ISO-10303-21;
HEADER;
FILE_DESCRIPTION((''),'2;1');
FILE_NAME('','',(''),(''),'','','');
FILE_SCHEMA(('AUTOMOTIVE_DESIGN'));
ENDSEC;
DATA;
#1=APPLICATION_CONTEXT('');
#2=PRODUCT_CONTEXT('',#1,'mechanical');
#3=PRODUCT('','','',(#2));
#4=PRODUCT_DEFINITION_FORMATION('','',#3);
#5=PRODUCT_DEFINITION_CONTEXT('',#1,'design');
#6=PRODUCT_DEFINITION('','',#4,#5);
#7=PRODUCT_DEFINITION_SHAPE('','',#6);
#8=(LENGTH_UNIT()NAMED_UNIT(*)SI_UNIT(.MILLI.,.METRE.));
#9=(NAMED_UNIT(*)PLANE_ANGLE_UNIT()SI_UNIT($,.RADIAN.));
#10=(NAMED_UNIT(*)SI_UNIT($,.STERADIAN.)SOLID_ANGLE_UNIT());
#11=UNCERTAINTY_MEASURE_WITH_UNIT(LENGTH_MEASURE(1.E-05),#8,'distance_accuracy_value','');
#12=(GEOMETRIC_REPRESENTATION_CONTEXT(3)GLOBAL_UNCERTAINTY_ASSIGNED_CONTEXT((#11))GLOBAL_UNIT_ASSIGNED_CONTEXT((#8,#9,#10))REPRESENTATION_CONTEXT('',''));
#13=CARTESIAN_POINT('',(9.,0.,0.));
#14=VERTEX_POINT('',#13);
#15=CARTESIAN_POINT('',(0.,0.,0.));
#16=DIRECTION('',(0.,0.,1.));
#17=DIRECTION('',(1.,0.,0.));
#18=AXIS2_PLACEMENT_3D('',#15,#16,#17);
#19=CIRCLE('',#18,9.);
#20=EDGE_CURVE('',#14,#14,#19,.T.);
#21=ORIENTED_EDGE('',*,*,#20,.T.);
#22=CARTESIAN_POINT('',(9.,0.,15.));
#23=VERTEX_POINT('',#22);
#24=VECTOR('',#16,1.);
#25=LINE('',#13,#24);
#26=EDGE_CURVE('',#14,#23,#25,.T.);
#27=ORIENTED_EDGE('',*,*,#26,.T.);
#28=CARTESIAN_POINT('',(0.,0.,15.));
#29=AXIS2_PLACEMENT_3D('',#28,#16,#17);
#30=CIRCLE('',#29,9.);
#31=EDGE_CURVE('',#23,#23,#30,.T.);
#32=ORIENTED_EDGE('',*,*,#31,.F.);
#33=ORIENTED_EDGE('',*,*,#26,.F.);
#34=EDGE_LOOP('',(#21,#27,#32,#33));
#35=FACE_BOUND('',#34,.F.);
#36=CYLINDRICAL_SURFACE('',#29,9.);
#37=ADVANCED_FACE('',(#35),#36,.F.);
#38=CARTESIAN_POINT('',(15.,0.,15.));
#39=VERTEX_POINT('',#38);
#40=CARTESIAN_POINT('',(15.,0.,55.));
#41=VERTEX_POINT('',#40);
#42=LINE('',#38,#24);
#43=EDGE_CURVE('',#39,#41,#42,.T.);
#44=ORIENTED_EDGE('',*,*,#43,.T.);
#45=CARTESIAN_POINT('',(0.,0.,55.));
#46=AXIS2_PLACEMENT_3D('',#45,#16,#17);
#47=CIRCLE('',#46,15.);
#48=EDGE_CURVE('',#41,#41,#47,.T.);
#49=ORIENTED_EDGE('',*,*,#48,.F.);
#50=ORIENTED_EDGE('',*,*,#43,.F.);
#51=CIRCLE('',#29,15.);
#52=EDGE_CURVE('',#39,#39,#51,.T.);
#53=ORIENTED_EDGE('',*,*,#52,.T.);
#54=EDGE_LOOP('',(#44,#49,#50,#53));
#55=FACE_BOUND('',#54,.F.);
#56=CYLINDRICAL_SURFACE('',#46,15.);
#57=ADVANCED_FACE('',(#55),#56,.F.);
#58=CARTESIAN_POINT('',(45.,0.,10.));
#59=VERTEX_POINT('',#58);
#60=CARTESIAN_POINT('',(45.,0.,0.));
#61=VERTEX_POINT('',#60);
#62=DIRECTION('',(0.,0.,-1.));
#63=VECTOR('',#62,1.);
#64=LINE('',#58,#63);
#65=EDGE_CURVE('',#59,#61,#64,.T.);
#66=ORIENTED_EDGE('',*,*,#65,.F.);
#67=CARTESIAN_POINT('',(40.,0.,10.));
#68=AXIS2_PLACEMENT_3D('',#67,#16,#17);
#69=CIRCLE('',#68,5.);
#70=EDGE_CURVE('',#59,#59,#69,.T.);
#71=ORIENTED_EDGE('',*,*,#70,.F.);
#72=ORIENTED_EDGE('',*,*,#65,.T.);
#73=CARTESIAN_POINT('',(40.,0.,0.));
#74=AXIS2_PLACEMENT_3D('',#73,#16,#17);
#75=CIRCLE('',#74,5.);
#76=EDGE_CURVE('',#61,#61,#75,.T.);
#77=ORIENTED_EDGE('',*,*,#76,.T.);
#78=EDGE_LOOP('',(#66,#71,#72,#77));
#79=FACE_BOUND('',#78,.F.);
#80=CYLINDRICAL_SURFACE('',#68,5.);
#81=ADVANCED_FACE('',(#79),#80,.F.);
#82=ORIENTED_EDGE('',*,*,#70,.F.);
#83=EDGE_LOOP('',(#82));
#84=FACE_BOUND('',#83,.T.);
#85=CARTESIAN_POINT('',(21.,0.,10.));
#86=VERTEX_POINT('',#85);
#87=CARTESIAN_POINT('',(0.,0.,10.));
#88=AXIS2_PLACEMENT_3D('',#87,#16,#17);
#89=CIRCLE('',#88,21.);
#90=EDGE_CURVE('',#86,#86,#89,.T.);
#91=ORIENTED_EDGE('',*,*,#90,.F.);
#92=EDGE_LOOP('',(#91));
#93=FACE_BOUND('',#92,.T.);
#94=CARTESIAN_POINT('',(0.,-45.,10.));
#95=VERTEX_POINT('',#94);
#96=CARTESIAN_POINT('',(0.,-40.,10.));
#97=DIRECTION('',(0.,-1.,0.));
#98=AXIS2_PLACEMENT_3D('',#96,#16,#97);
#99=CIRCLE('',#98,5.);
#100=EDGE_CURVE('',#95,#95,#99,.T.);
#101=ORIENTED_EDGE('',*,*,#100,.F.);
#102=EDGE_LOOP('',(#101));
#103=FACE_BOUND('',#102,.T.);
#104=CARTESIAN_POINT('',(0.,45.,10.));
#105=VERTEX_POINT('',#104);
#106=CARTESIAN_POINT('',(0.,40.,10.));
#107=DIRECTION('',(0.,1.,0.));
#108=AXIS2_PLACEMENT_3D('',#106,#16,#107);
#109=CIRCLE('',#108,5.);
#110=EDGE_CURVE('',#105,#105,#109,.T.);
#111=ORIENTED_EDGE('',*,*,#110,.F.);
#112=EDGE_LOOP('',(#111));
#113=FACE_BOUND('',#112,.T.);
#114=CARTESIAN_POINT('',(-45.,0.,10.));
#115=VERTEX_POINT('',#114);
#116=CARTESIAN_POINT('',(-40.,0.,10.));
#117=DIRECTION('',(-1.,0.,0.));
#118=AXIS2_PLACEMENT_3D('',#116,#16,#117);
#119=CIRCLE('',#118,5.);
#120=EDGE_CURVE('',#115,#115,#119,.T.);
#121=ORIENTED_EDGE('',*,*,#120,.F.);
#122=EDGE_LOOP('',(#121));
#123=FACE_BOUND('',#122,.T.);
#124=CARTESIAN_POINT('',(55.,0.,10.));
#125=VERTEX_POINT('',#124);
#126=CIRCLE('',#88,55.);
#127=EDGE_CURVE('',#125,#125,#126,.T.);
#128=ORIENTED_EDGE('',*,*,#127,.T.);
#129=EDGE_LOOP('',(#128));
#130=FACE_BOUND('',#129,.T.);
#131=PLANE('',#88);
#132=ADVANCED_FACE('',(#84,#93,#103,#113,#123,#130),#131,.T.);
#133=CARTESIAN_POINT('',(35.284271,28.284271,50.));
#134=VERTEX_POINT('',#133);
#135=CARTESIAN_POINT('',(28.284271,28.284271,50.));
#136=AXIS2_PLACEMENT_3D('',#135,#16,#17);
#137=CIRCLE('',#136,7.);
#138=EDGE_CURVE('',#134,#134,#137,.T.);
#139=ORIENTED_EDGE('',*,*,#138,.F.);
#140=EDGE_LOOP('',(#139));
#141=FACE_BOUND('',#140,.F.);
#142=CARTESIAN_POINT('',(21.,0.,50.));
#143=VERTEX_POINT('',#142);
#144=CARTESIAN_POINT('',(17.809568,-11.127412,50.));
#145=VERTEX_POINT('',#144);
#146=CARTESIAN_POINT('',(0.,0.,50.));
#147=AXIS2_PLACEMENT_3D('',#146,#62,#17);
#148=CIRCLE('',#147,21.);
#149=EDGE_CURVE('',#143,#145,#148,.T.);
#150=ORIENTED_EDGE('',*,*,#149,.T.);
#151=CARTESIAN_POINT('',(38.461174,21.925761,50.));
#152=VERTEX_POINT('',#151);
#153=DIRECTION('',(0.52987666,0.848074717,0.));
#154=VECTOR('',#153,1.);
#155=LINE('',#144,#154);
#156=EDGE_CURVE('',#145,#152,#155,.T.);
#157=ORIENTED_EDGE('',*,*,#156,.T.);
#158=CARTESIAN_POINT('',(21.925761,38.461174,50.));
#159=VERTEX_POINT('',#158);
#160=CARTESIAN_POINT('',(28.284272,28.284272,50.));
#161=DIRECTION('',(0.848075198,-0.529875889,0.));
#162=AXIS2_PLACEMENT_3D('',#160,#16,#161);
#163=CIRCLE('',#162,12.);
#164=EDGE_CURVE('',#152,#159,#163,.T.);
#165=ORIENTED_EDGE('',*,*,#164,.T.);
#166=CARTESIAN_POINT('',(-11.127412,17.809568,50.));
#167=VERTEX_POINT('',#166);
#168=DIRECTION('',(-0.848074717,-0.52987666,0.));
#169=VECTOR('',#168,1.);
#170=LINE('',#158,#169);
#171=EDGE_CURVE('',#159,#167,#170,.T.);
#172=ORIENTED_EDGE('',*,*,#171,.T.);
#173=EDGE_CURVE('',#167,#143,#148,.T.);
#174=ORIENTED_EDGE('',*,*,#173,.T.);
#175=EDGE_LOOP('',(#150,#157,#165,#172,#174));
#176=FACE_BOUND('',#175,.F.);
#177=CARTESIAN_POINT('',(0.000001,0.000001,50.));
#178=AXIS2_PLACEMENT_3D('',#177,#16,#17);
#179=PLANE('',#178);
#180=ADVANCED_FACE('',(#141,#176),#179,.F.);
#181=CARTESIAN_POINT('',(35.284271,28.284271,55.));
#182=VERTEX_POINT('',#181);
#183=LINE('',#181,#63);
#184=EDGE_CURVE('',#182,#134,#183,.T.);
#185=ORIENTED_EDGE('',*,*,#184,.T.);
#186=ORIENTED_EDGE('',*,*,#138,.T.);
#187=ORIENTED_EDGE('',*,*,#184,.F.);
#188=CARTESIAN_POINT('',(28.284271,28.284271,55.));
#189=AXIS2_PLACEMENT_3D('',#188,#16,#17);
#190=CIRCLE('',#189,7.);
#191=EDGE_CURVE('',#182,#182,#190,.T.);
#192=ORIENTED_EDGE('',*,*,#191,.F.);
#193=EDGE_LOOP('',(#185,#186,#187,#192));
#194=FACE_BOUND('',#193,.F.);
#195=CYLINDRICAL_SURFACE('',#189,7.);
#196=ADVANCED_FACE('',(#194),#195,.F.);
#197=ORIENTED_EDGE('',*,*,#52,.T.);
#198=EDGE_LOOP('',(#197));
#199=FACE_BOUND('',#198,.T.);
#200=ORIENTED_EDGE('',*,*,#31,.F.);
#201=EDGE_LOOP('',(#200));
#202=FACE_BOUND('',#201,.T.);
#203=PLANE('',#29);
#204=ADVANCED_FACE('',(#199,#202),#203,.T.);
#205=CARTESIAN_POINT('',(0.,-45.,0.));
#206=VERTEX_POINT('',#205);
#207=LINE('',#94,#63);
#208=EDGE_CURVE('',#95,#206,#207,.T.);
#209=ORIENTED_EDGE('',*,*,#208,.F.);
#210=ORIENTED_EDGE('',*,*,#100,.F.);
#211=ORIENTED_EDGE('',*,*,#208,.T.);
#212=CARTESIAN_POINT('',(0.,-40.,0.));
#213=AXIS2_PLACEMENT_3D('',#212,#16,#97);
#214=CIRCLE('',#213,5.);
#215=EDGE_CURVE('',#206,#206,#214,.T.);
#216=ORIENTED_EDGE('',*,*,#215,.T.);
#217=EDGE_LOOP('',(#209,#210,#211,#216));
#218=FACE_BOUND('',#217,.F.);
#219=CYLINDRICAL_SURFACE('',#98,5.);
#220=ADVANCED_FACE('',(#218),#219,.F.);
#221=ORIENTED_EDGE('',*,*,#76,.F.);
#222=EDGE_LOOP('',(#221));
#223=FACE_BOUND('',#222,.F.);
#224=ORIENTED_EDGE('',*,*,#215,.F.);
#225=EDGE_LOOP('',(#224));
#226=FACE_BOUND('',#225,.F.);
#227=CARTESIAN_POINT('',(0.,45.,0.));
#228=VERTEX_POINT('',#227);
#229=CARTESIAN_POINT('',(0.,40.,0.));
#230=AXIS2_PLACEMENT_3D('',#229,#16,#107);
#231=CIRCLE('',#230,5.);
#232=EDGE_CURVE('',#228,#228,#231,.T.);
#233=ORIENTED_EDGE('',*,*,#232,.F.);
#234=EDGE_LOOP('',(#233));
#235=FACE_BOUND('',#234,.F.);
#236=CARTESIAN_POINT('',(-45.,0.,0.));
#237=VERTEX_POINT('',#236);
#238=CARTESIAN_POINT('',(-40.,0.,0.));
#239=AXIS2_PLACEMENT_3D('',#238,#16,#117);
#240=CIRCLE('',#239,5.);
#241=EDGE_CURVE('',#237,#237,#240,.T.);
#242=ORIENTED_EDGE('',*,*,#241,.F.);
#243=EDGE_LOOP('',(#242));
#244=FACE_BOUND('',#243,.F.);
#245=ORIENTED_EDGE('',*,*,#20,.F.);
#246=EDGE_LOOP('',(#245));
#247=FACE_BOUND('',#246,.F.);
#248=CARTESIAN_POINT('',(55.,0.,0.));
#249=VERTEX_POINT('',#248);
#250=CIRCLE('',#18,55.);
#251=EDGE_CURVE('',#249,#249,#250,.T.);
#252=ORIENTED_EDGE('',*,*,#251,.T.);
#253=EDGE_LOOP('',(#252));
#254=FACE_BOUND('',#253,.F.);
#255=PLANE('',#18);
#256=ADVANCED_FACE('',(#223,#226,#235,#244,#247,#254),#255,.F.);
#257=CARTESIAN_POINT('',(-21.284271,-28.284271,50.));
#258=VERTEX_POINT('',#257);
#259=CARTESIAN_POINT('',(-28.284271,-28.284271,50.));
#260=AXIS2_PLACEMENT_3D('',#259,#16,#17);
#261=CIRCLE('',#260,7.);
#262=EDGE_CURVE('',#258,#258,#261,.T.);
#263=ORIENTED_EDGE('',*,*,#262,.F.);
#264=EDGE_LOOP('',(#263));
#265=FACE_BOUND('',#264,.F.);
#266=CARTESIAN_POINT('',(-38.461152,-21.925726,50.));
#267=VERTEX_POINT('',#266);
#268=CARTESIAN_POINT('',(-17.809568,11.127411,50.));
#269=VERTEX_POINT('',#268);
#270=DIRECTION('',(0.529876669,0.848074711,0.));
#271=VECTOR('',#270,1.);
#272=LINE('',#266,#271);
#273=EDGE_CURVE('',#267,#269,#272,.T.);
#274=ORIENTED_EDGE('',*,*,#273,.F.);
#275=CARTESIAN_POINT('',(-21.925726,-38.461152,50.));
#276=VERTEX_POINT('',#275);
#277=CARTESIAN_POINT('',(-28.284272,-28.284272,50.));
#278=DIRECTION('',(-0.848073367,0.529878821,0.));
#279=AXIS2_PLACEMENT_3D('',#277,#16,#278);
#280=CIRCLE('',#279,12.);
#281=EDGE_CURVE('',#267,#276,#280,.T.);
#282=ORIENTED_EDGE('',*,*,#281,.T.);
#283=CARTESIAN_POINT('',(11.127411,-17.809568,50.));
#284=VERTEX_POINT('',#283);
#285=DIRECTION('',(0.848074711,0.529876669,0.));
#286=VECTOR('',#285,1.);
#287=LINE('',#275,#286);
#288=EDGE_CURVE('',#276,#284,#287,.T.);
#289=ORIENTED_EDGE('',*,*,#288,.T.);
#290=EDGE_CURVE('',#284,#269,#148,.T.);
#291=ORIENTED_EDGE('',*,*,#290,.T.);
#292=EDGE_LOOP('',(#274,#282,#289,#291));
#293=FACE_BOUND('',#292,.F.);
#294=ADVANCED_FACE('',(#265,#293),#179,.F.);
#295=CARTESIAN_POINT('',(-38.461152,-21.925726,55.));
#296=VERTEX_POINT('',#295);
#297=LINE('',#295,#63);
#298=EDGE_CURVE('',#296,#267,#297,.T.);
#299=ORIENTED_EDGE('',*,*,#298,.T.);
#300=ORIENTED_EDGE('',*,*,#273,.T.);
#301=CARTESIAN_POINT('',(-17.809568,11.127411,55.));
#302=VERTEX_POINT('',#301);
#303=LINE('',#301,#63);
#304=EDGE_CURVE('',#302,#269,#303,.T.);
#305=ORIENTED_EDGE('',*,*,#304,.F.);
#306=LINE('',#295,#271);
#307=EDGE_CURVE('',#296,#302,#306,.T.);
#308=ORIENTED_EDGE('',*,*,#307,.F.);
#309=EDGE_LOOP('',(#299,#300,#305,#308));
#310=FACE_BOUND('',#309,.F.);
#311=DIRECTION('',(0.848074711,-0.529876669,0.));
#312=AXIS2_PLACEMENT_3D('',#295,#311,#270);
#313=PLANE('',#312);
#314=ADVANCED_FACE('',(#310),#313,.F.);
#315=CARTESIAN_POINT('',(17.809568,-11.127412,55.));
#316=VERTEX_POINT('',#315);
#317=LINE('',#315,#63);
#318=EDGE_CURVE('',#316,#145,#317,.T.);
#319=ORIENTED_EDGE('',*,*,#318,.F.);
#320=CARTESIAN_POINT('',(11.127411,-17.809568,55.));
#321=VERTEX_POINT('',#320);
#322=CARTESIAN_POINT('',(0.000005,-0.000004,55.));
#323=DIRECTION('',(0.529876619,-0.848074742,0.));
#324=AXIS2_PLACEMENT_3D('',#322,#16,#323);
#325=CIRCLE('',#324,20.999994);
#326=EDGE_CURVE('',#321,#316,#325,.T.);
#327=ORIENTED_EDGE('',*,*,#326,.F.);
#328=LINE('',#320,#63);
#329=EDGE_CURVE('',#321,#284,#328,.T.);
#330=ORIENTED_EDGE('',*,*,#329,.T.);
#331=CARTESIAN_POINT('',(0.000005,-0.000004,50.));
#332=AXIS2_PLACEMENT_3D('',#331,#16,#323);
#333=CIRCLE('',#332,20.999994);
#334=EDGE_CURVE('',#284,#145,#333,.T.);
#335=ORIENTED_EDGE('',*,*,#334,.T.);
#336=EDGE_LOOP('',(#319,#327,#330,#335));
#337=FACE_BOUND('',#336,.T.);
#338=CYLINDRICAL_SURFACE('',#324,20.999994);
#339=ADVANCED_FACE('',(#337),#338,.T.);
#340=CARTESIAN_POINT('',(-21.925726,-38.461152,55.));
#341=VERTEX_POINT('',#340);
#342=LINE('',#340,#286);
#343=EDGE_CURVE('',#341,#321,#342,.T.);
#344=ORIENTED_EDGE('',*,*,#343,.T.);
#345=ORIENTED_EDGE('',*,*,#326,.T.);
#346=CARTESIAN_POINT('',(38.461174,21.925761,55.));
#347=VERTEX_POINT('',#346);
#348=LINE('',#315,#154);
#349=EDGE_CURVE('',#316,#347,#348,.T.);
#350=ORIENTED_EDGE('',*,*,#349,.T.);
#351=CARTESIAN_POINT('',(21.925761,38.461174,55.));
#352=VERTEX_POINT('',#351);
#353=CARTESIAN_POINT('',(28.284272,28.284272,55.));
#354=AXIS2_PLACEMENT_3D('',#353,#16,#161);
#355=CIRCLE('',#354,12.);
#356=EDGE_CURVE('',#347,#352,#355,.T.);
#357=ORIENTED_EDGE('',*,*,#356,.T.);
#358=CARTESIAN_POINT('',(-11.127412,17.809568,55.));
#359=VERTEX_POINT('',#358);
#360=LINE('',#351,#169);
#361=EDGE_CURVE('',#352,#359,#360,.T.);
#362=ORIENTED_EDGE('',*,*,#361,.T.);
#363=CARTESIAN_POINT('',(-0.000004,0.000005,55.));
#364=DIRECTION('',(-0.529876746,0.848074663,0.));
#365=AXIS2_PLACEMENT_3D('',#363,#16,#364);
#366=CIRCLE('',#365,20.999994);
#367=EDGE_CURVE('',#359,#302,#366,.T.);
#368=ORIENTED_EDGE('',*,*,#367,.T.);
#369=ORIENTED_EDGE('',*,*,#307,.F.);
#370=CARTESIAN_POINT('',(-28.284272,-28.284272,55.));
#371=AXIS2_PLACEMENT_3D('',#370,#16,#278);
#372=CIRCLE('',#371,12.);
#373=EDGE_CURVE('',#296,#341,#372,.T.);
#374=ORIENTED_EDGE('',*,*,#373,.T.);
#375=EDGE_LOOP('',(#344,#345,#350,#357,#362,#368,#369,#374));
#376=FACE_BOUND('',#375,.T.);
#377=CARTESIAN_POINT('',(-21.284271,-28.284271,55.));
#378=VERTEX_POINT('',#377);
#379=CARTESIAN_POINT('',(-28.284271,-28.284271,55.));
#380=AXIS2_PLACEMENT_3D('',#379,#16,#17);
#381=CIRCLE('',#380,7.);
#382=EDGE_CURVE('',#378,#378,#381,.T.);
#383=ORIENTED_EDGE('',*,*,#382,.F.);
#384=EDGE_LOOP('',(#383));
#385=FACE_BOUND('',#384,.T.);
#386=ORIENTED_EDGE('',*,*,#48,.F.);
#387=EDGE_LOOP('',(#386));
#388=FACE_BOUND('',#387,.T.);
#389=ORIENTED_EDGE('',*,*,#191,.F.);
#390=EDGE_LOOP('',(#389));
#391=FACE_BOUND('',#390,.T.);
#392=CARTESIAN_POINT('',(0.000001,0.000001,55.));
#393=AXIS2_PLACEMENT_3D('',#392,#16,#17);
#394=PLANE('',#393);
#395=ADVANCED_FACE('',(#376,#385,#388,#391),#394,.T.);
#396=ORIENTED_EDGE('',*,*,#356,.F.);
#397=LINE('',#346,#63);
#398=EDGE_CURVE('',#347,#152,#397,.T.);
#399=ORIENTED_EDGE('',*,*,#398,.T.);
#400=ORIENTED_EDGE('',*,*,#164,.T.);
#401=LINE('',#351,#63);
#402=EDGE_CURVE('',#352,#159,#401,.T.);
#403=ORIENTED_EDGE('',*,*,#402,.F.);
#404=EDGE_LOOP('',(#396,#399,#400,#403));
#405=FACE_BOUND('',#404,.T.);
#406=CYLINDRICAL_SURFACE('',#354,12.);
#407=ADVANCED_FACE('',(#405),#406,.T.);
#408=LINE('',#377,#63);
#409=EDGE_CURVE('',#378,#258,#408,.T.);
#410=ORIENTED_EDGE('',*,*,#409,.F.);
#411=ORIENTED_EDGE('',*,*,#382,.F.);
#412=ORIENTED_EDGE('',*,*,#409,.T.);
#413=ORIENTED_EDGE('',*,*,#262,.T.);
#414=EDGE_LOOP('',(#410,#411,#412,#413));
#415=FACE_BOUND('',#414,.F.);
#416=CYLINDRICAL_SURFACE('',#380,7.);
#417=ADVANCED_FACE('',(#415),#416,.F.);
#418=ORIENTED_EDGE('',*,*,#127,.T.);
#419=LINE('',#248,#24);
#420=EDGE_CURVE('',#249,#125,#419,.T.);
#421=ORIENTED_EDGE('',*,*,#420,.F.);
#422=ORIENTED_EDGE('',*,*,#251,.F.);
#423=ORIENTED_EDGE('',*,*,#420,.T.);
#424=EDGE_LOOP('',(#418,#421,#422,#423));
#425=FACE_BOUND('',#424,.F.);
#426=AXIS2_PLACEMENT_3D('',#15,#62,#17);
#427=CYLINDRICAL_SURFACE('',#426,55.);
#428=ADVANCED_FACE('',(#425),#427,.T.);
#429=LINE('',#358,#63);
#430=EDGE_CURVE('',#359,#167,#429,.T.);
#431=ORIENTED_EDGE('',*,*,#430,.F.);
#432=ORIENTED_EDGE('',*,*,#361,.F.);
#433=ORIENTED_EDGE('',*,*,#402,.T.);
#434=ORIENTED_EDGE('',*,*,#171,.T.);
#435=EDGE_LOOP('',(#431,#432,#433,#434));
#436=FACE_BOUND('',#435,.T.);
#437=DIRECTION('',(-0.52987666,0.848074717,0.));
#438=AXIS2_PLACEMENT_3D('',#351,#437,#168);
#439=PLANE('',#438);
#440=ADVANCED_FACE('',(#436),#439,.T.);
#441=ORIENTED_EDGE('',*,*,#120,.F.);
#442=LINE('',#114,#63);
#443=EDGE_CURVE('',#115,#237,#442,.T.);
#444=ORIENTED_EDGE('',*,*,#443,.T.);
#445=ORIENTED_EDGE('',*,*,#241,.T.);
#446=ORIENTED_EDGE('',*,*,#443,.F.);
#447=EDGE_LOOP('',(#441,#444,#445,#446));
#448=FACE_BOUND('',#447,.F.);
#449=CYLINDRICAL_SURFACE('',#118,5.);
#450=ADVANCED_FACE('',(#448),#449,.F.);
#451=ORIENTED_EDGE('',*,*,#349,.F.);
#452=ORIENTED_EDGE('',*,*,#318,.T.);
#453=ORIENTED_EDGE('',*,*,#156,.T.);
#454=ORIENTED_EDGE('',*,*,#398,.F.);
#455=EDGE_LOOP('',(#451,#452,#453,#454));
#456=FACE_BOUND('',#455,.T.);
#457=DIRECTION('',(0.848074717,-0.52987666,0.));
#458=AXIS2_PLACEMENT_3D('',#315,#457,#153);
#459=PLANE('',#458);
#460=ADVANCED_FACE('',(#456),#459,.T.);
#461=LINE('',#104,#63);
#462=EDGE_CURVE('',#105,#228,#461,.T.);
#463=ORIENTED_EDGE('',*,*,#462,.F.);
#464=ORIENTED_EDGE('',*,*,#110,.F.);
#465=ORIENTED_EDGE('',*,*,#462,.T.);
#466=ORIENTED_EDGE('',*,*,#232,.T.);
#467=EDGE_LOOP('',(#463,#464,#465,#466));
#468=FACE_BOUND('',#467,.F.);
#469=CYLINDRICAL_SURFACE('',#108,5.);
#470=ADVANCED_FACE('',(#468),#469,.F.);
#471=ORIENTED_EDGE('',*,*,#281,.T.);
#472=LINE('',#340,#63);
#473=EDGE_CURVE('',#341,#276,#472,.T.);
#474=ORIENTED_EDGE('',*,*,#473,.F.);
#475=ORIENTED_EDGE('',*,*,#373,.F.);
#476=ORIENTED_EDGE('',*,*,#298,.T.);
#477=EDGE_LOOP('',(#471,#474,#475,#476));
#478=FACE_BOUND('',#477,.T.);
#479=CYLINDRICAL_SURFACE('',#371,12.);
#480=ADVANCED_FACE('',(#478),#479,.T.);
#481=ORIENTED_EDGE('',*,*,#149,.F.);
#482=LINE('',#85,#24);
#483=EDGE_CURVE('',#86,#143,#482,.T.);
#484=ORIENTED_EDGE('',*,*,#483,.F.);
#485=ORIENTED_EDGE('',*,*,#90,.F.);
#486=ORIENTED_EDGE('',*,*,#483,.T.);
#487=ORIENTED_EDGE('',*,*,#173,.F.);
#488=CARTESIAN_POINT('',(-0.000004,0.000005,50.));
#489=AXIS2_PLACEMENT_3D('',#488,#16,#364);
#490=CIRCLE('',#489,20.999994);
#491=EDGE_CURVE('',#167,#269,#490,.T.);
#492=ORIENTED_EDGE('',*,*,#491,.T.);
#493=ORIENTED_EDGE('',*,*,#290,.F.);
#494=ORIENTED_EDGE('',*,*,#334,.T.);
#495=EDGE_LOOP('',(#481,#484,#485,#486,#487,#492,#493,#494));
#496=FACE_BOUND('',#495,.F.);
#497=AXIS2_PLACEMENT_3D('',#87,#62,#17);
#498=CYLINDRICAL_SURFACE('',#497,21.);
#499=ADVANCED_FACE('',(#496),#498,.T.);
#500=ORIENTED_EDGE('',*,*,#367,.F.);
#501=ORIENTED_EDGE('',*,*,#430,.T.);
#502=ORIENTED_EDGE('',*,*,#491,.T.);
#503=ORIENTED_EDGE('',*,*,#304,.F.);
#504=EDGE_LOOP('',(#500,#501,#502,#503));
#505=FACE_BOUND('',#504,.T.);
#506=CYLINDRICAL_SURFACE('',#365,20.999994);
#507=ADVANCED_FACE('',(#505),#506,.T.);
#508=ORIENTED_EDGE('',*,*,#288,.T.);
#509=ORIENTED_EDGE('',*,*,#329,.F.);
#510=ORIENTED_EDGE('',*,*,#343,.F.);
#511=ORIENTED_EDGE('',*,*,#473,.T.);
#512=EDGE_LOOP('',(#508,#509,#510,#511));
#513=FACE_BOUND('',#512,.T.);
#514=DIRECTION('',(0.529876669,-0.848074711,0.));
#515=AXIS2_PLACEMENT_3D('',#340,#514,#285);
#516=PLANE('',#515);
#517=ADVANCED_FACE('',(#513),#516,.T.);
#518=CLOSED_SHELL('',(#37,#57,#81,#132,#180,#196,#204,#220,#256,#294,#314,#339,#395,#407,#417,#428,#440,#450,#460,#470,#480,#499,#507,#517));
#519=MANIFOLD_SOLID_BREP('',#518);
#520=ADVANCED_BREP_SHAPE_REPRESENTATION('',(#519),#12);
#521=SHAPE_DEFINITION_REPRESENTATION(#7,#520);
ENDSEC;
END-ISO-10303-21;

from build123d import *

# Parameters (mm, degrees)
SKETCH_R           = 55
SKETCH_R_2         = 9
PAD_DEPTH          = 10
SKETCH001_R        = 5
POCKET_DEPTH       = 321.770145
POLARPATTERN_COUNT = 4
SKETCH002_R        = 21
PAD001_DEPTH       = 45
SKETCH003_R        = 15
POCKET001_DEPTH    = 40
SKETCH004_R        = 9
POCKET002_DEPTH    = 5
SKETCH005_R        = 7
SKETCH005_R_2      = 15
PAD002_DEPTH       = 5


with BuildPart() as part:
    # Sketch → Pad (new body)
    with BuildSketch(Plane.XY):
        Circle(SKETCH_R)
        Circle(SKETCH_R_2, mode=Mode.SUBTRACT)
    extrude(amount=PAD_DEPTH)

    # Sketch001 → Pocket (cut, through all)
    with BuildSketch(Plane.XY.offset(10)):
        with Locations((40, 0)):
            Circle(SKETCH001_R)
    pocket = extrude(amount=-POCKET_DEPTH, mode=Mode.SUBTRACT)

    # PolarPattern: Pocket ×4 about axis
    polarpattern_axis = Axis((0, 0, 10), (0, 0, 1))
    for i in range(1, POLARPATTERN_COUNT):
        add(pocket.rotate(polarpattern_axis, i * 360 / POLARPATTERN_COUNT), mode=Mode.SUBTRACT)

    # Sketch002 → Pad001 (new body)
    with BuildSketch(Plane.XY.offset(10)):
        Circle(SKETCH002_R)
    extrude(amount=PAD001_DEPTH)

    # Sketch003 → Pocket001 (cut)
    with BuildSketch(Plane.XY.offset(55)):
        Circle(SKETCH003_R)
    extrude(amount=-POCKET001_DEPTH, mode=Mode.SUBTRACT)

    # Sketch004 → Pocket002 (cut)
    with BuildSketch(Plane.XY.offset(15)):
        Circle(SKETCH004_R)
    extrude(amount=-POCKET002_DEPTH, mode=Mode.SUBTRACT)

    # Sketch005 → Pad002 (new body)
    with BuildSketch(Plane.XY.offset(55)):
        with BuildLine():
            ThreePointArc((-38.461152, -21.925726), (-36.769553, -36.769553), (-21.925726, -38.461152))
            Line((-21.925726, -38.461152), (11.127411, -17.809568))
            ThreePointArc((11.127411, -17.809568), (14.849242, -14.849243), (17.809568, -11.127412))
            Line((17.809568, -11.127412), (38.461174, 21.925761))
            ThreePointArc((38.461174, 21.925761), (36.769553, 36.769553), (21.925761, 38.461174))
            Line((21.925761, 38.461174), (-11.127412, 17.809568))
            ThreePointArc((-11.127412, 17.809568), (-14.849243, 14.849242), (-17.809568, 11.127411))
            Line((-38.461152, -21.925726), (-17.809568, 11.127411))
        make_face()
        with Locations((-28.284271, -28.284271)):
            Circle(SKETCH005_R, mode=Mode.SUBTRACT)
        with Locations((28.284271, 28.284271)):
            Circle(SKETCH005_R, mode=Mode.SUBTRACT)
        Circle(SKETCH005_R_2, mode=Mode.SUBTRACT)
    extrude(amount=-PAD002_DEPTH)


solid = part.part
